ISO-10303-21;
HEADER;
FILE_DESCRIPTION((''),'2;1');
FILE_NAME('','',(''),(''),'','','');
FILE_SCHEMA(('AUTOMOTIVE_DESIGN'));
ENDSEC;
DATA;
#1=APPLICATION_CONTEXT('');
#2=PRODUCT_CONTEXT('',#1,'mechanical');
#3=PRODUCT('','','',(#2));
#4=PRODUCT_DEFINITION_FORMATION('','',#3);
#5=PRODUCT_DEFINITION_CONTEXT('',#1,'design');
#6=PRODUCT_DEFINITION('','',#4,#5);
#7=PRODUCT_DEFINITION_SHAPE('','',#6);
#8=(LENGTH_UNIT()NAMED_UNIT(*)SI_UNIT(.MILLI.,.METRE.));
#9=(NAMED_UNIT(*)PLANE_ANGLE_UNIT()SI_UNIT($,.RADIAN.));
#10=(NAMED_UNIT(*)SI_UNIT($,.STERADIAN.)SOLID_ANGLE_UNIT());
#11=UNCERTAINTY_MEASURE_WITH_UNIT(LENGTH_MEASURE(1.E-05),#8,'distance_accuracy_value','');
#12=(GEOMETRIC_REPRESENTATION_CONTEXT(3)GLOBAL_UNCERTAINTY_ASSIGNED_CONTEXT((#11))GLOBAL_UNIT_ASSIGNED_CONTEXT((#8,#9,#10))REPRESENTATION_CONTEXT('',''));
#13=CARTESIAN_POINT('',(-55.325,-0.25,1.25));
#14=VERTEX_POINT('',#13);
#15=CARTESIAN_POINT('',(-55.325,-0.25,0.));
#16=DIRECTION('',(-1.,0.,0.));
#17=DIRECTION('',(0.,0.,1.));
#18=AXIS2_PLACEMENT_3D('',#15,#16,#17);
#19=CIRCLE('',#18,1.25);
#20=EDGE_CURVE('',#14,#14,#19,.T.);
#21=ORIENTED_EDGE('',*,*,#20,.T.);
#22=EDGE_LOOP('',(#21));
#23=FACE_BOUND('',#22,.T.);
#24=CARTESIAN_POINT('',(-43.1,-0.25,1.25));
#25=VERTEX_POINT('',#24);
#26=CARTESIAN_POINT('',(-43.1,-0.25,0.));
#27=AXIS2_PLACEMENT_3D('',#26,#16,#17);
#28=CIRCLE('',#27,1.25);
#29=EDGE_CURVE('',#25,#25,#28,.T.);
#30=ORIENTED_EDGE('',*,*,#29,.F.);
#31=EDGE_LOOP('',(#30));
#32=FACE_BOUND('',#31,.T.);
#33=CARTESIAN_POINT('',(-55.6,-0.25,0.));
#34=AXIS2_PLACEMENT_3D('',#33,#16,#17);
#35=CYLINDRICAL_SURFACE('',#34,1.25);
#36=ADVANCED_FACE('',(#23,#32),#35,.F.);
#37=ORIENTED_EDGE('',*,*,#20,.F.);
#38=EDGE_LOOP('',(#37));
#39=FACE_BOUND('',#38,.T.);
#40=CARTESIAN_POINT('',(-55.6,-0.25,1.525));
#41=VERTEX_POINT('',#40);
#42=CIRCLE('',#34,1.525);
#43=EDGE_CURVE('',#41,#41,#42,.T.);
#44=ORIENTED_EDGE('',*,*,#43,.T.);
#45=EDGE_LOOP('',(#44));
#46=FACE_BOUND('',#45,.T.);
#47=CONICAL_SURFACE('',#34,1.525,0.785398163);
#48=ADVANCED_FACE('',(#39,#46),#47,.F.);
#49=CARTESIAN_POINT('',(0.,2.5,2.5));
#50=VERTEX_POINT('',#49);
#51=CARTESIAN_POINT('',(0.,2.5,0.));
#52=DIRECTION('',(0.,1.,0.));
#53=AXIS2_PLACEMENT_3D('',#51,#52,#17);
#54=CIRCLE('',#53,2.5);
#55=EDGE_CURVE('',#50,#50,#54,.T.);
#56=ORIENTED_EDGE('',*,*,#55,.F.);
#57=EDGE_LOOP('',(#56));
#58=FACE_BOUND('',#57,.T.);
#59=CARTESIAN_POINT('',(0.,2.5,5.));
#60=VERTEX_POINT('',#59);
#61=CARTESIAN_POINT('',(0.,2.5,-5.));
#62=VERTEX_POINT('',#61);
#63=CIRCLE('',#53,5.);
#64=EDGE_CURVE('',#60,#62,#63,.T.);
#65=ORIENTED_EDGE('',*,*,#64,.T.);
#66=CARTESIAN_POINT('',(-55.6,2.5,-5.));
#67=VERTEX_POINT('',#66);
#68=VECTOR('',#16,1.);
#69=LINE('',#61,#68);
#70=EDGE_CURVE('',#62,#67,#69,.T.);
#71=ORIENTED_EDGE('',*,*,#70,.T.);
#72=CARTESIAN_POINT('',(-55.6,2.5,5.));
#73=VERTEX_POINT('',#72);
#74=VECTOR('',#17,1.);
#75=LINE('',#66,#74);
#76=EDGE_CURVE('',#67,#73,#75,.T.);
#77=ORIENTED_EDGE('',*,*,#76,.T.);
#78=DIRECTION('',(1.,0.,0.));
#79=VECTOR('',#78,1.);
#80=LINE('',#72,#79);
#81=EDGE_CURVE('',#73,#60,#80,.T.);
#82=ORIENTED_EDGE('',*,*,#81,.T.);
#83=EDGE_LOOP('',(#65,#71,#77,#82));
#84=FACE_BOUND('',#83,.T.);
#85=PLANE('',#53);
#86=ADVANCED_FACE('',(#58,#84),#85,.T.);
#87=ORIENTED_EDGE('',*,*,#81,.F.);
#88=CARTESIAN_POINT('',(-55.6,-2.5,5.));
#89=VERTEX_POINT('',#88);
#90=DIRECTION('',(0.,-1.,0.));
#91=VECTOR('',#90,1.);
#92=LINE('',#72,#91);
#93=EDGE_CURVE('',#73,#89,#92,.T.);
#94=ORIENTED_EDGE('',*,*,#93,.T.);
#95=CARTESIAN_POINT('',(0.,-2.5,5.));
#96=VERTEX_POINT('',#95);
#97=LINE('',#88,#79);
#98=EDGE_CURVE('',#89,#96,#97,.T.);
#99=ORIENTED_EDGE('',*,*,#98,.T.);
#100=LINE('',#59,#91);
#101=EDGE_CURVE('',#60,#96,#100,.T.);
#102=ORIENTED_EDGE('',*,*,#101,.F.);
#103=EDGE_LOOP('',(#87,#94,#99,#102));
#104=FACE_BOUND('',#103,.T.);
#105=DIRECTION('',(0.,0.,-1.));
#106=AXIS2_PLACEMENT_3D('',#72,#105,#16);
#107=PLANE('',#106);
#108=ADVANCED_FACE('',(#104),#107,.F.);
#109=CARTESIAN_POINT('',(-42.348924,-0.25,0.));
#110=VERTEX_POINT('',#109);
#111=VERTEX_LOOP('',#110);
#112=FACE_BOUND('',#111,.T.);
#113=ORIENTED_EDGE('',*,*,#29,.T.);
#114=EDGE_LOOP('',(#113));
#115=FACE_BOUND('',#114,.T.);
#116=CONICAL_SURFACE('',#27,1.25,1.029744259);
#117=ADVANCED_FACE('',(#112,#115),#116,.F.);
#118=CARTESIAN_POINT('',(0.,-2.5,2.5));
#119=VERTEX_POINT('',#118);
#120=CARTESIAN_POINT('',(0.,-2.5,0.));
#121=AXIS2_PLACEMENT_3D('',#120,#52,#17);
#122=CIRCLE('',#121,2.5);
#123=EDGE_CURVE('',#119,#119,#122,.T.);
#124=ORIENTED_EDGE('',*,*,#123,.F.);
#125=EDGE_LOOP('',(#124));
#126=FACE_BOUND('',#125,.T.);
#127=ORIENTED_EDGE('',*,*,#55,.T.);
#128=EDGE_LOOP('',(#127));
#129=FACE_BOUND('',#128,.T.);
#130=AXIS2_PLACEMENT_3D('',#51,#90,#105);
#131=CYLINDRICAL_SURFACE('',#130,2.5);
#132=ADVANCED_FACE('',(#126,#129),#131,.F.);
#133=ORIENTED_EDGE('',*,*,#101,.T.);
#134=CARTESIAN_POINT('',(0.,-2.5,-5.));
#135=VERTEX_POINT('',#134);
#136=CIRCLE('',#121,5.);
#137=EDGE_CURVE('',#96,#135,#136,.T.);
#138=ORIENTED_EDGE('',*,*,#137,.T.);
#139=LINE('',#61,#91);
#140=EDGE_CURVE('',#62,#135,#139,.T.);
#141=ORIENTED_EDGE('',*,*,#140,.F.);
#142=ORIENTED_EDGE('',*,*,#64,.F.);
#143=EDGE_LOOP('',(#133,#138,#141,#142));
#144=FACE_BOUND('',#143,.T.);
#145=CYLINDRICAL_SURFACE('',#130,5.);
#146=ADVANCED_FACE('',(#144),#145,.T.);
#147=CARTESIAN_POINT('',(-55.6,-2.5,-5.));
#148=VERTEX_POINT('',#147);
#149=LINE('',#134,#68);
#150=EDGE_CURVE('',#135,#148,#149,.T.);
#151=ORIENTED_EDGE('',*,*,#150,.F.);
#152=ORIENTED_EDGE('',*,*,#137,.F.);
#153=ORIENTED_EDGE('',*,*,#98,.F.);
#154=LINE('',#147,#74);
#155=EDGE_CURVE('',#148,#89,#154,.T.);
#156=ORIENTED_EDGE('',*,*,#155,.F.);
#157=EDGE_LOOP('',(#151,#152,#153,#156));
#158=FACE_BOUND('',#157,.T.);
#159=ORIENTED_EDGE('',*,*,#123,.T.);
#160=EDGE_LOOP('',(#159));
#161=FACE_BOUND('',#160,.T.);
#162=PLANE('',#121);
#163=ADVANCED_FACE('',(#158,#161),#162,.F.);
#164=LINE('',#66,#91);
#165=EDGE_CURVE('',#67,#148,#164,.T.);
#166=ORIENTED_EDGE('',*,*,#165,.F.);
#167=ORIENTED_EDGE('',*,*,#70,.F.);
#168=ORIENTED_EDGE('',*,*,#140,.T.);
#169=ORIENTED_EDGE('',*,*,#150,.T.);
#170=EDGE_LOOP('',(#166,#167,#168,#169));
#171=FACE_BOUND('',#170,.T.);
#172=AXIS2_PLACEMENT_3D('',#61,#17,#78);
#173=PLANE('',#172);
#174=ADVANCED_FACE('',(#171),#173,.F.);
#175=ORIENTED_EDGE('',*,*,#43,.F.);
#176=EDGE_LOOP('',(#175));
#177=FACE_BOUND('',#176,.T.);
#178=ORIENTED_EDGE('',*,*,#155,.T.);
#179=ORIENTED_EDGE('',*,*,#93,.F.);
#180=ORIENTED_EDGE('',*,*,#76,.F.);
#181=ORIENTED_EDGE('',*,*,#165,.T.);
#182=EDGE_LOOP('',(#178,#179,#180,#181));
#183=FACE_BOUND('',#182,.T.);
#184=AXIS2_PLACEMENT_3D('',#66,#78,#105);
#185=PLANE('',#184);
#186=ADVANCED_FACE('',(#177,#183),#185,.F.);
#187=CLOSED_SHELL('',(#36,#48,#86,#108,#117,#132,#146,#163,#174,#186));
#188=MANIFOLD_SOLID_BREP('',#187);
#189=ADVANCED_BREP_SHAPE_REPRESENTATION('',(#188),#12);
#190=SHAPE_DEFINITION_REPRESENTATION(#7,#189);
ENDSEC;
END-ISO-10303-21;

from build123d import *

# Parameters (mm, degrees)
ESQUISSE1_R                     = 2.5
BOSS_EXTRU_1_DEPTH              = 2.5
TROU_TARAUD_M3X0_51_D           = 2.5
TROU_TARAUD_M3X0_51_DEPTH       = 12.5
TROU_TARAUD_M3X0_51_CSINK_D     = 3.05
TROU_TARAUD_M3X0_51_CSINK_ANGLE = 90
TROU_TARAUD_M3X0_51_TIP         = 0.751075774


with BuildPart() as part:
    # Esquisse1 → Boss.-Extru.1 (new body, symmetric)
    with BuildSketch(Plane(origin=(0, 0, 0), x_dir=(1, 0, 0), z_dir=(0, 1, 0))):
        with BuildLine():
            Line((-55.6, -5), (0, -5))
            ThreePointArc((0, -5), (5, 0), (0, 5))
            Line((0, 5), (-55.6, 5))
            Line((-55.6, 5), (-55.6, -5))
        make_face()
        Circle(ESQUISSE1_R, mode=Mode.SUBTRACT)
    extrude(amount=BOSS_EXTRU_1_DEPTH, both=True)

    # Trou taraudé M3x0.51
    with Locations(Plane.ZY.offset(55.6)):
        with Locations((0, -0.25)):
            CounterSinkHole(TROU_TARAUD_M3X0_51_D / 2, TROU_TARAUD_M3X0_51_CSINK_D / 2, depth=TROU_TARAUD_M3X0_51_DEPTH, counter_sink_angle=TROU_TARAUD_M3X0_51_CSINK_ANGLE)
            with Locations((0, 0, -(TROU_TARAUD_M3X0_51_DEPTH + TROU_TARAUD_M3X0_51_TIP / 2))):  # 118° drill point
                Cone(0, TROU_TARAUD_M3X0_51_D / 2, TROU_TARAUD_M3X0_51_TIP, mode=Mode.SUBTRACT)


solid = part.part
